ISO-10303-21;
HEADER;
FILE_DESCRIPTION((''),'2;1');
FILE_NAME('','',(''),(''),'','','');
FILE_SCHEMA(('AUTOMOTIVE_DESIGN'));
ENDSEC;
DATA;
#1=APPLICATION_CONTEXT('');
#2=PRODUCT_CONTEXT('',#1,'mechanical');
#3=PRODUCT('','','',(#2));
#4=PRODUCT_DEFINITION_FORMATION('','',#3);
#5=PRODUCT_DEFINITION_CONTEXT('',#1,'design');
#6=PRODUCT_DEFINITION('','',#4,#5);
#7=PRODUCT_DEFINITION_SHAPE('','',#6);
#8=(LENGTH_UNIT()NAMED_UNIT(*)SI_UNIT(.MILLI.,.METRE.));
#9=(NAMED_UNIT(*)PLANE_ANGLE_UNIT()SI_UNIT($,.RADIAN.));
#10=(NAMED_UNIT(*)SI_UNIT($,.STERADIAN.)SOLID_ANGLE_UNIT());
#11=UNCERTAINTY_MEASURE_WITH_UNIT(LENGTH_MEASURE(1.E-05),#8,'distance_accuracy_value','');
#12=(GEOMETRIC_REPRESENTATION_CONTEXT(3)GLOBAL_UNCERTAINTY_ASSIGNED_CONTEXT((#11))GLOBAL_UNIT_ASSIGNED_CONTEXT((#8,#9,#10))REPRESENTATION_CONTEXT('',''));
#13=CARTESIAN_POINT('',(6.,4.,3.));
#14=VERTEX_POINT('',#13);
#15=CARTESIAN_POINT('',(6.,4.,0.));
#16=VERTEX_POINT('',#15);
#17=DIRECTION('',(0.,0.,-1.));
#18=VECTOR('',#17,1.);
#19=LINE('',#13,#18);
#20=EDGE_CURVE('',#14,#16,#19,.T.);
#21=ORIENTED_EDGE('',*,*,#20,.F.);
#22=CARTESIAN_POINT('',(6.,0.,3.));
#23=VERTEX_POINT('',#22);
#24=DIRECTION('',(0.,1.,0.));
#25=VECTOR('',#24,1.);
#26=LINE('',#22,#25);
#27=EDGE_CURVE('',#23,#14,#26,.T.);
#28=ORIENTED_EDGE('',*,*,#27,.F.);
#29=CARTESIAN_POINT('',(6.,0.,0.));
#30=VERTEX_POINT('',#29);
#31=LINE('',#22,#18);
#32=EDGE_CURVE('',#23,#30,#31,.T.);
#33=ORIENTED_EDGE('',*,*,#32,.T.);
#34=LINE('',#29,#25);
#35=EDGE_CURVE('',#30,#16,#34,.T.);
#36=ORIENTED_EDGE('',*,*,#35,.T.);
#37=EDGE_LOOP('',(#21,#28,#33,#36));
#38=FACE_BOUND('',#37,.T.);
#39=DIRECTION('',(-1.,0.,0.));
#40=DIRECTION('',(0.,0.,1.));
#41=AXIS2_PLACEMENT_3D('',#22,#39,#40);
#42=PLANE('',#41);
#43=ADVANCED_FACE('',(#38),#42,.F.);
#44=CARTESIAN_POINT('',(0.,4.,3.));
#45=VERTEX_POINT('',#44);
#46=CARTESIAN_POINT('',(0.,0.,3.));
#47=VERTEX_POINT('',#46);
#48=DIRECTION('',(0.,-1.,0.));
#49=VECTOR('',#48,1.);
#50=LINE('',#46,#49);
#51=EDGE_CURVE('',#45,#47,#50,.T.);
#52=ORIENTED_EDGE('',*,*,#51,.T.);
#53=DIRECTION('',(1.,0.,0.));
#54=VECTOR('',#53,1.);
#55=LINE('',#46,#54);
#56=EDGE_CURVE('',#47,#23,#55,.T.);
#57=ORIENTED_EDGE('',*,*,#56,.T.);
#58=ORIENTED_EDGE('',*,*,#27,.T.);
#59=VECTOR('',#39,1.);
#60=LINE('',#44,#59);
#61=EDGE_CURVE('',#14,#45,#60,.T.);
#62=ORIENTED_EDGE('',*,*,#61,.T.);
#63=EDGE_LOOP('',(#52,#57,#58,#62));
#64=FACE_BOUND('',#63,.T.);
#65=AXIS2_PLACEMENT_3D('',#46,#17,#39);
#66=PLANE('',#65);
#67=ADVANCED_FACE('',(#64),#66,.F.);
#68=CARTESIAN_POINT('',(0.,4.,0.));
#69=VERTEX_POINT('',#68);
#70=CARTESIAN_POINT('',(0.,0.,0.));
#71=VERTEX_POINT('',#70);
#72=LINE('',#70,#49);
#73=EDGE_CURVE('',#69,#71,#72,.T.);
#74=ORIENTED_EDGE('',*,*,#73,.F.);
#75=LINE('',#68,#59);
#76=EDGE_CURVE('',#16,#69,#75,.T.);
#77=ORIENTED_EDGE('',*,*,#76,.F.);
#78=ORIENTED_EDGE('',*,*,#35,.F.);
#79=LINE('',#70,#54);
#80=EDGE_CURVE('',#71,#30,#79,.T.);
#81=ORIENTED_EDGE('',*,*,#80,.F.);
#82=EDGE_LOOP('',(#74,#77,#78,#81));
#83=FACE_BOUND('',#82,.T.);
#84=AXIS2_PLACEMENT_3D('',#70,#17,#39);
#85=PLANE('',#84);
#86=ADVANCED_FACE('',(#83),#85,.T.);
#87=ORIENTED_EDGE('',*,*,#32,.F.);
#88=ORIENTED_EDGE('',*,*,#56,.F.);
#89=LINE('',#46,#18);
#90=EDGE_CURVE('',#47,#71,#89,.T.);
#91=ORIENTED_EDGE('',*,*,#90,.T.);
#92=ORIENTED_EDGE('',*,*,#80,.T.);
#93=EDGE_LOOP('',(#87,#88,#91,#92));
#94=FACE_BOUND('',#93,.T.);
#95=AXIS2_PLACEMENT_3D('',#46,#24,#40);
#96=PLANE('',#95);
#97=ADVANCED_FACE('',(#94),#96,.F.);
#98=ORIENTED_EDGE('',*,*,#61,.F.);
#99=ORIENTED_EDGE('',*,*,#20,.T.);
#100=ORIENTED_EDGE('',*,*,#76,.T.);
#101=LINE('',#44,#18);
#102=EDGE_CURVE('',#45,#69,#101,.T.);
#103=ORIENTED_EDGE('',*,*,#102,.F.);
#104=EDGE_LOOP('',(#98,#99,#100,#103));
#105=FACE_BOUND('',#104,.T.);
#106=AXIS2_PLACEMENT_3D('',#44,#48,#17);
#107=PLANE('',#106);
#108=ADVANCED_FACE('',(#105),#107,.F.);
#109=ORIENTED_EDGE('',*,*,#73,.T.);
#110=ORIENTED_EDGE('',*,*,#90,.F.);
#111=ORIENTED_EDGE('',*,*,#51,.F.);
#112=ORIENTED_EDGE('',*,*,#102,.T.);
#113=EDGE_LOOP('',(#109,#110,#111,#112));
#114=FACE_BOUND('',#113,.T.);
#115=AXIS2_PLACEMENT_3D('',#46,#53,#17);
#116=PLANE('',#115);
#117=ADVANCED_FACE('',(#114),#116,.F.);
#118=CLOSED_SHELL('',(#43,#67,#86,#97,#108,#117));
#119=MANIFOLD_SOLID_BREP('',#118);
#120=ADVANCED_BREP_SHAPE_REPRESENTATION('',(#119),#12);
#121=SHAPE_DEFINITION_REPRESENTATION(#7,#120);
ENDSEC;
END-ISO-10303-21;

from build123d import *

# Parameters (mm, degrees)
SKETCH_1_W      = 6
SKETCH_1_H      = 4
EXTRUDE_1_DEPTH = 3


with BuildPart() as part:
    # ｽｹｯﾁ1 → ﾎﾞｽ - 押し出し1 (new body)
    with BuildSketch(Plane.XY):
        with Locations((3, 2)):
            Rectangle(SKETCH_1_W, SKETCH_1_H)
    extrude(amount=EXTRUDE_1_DEPTH)


solid = part.part
